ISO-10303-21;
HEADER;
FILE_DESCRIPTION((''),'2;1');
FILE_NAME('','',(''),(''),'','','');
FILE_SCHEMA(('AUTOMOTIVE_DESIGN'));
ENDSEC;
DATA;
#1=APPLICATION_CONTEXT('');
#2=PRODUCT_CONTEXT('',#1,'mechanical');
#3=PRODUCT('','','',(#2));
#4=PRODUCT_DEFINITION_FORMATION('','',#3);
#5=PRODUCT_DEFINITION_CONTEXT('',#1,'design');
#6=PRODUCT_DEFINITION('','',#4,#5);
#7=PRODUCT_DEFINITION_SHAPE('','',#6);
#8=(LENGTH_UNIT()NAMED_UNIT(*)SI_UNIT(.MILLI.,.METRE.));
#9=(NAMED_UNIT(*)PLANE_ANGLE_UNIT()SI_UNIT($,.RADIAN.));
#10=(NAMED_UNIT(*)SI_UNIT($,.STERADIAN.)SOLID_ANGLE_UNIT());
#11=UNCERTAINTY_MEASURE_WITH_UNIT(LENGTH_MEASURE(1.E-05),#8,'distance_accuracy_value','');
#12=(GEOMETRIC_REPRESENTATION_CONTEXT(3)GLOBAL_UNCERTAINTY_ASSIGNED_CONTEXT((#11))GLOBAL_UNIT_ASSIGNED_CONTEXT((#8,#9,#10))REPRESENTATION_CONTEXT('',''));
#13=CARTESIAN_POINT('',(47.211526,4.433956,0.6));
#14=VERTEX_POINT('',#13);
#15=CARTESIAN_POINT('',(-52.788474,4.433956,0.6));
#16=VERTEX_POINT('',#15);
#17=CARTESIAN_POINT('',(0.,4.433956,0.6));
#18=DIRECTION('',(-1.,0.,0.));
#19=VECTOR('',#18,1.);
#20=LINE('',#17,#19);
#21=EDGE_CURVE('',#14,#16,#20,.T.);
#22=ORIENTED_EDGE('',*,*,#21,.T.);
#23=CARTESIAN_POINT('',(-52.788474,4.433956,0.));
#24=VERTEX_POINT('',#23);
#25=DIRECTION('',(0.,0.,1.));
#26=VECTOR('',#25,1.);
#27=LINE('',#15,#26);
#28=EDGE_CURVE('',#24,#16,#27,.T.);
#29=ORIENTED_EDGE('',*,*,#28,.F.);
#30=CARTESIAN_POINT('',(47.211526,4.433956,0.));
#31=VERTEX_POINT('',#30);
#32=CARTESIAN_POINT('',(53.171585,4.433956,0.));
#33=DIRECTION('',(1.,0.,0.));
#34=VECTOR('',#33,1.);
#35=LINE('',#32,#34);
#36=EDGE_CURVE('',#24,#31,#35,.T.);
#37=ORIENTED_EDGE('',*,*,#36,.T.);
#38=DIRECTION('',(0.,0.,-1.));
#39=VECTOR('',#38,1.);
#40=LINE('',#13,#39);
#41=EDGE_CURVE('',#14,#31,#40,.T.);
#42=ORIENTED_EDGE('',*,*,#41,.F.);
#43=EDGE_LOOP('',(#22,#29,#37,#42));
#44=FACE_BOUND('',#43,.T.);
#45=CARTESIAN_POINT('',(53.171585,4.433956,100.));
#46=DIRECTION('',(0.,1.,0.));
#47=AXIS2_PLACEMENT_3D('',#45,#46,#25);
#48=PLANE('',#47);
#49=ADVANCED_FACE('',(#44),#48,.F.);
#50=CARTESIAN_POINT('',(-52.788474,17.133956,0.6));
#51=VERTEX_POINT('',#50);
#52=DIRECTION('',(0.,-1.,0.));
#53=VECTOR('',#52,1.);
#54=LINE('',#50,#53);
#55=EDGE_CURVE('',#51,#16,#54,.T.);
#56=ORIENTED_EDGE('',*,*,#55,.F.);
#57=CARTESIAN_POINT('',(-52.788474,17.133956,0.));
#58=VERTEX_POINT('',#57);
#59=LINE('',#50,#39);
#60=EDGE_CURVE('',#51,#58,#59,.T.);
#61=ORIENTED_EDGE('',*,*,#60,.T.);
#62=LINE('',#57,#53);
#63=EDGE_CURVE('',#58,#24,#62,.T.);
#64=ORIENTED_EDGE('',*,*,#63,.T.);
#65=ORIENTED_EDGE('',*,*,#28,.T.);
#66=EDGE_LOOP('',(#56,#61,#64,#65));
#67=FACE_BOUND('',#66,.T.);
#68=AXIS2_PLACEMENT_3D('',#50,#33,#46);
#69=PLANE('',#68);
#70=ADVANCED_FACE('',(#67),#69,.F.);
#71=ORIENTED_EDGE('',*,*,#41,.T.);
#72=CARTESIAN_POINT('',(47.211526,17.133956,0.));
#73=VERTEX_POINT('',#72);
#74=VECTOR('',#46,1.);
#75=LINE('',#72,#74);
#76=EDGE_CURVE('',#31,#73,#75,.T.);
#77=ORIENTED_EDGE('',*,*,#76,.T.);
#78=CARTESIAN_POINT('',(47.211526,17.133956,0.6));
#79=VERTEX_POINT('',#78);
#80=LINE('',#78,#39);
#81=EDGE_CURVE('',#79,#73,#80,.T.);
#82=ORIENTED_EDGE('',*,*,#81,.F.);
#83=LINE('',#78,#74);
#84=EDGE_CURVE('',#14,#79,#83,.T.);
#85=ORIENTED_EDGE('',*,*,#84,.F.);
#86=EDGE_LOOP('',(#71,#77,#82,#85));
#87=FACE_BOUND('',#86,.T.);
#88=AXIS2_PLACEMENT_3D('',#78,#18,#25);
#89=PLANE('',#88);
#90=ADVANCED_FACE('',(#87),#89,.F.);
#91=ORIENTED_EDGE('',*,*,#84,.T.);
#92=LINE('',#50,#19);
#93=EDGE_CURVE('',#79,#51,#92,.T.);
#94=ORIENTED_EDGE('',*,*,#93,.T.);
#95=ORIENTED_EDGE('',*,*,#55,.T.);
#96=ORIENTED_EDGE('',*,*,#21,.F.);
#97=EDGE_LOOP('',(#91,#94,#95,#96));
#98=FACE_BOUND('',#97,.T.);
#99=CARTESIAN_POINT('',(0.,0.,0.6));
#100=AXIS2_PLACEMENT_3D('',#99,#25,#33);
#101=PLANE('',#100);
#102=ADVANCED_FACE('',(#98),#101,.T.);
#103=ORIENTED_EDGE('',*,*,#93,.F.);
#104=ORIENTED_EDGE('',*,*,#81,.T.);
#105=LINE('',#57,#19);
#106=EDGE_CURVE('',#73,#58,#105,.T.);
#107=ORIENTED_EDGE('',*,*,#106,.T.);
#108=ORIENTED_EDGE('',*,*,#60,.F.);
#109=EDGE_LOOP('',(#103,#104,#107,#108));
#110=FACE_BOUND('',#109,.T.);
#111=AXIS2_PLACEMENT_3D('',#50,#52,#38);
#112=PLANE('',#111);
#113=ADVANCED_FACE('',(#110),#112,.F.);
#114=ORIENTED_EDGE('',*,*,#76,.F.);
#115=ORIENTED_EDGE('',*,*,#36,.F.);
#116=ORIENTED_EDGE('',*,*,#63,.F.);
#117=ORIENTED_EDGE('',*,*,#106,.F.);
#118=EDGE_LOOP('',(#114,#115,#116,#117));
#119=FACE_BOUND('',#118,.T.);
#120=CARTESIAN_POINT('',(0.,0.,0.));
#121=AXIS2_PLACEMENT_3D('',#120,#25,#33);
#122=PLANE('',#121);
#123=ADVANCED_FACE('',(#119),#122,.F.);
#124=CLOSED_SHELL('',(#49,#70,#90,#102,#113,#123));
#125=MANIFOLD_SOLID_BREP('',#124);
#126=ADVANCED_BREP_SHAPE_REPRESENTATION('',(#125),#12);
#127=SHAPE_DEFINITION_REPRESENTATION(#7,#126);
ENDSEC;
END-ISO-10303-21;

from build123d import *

# Parameters (mm, degrees)
ESBO_O1_W                = 100
ESBO_O1_H                = 18
RESSALTO_EXTRUS_O1_DEPTH = 0.6
ESBO_O2_W                = 0.6
ESBO_O2_H                = 3.5
CORTE_EXTRUS_O1_DEPTH    = 100
ESBO_O5_W                = 109.434342877
ESBO_O5_H                = 1.8
CORTE_EXTRUS_O4_DEPTH    = 100


with BuildPart() as part:
    # Esboço1 → Ressalto-extrusão1 (new body)
    with BuildSketch(Plane.XY):
        with Locations((-2.788473849, 8.133956386)):
            Rectangle(ESBO_O1_W, ESBO_O1_H)
    extrude(amount=RESSALTO_EXTRUS_O1_DEPTH)

    # Esboço2 → Corte-extrusão1 (cut)
    with BuildSketch(Plane.ZY.offset(52.788473849)):
        with Locations((0.3, 0.883956386)):
            Rectangle(ESBO_O2_W, ESBO_O2_H)
    extrude(amount=-CORTE_EXTRUS_O1_DEPTH, mode=Mode.SUBTRACT)

    # Esboço5 → Corte-extrusão4 (cut)
    with BuildSketch(Plane(origin=(0, 0, 0), x_dir=(-1, 0, 0), z_dir=(0, 0, -1))):
        with Locations((1.545585964, 3.533956386)):
            Rectangle(ESBO_O5_W, ESBO_O5_H)
    extrude(amount=-CORTE_EXTRUS_O4_DEPTH, mode=Mode.SUBTRACT)


solid = part.part
